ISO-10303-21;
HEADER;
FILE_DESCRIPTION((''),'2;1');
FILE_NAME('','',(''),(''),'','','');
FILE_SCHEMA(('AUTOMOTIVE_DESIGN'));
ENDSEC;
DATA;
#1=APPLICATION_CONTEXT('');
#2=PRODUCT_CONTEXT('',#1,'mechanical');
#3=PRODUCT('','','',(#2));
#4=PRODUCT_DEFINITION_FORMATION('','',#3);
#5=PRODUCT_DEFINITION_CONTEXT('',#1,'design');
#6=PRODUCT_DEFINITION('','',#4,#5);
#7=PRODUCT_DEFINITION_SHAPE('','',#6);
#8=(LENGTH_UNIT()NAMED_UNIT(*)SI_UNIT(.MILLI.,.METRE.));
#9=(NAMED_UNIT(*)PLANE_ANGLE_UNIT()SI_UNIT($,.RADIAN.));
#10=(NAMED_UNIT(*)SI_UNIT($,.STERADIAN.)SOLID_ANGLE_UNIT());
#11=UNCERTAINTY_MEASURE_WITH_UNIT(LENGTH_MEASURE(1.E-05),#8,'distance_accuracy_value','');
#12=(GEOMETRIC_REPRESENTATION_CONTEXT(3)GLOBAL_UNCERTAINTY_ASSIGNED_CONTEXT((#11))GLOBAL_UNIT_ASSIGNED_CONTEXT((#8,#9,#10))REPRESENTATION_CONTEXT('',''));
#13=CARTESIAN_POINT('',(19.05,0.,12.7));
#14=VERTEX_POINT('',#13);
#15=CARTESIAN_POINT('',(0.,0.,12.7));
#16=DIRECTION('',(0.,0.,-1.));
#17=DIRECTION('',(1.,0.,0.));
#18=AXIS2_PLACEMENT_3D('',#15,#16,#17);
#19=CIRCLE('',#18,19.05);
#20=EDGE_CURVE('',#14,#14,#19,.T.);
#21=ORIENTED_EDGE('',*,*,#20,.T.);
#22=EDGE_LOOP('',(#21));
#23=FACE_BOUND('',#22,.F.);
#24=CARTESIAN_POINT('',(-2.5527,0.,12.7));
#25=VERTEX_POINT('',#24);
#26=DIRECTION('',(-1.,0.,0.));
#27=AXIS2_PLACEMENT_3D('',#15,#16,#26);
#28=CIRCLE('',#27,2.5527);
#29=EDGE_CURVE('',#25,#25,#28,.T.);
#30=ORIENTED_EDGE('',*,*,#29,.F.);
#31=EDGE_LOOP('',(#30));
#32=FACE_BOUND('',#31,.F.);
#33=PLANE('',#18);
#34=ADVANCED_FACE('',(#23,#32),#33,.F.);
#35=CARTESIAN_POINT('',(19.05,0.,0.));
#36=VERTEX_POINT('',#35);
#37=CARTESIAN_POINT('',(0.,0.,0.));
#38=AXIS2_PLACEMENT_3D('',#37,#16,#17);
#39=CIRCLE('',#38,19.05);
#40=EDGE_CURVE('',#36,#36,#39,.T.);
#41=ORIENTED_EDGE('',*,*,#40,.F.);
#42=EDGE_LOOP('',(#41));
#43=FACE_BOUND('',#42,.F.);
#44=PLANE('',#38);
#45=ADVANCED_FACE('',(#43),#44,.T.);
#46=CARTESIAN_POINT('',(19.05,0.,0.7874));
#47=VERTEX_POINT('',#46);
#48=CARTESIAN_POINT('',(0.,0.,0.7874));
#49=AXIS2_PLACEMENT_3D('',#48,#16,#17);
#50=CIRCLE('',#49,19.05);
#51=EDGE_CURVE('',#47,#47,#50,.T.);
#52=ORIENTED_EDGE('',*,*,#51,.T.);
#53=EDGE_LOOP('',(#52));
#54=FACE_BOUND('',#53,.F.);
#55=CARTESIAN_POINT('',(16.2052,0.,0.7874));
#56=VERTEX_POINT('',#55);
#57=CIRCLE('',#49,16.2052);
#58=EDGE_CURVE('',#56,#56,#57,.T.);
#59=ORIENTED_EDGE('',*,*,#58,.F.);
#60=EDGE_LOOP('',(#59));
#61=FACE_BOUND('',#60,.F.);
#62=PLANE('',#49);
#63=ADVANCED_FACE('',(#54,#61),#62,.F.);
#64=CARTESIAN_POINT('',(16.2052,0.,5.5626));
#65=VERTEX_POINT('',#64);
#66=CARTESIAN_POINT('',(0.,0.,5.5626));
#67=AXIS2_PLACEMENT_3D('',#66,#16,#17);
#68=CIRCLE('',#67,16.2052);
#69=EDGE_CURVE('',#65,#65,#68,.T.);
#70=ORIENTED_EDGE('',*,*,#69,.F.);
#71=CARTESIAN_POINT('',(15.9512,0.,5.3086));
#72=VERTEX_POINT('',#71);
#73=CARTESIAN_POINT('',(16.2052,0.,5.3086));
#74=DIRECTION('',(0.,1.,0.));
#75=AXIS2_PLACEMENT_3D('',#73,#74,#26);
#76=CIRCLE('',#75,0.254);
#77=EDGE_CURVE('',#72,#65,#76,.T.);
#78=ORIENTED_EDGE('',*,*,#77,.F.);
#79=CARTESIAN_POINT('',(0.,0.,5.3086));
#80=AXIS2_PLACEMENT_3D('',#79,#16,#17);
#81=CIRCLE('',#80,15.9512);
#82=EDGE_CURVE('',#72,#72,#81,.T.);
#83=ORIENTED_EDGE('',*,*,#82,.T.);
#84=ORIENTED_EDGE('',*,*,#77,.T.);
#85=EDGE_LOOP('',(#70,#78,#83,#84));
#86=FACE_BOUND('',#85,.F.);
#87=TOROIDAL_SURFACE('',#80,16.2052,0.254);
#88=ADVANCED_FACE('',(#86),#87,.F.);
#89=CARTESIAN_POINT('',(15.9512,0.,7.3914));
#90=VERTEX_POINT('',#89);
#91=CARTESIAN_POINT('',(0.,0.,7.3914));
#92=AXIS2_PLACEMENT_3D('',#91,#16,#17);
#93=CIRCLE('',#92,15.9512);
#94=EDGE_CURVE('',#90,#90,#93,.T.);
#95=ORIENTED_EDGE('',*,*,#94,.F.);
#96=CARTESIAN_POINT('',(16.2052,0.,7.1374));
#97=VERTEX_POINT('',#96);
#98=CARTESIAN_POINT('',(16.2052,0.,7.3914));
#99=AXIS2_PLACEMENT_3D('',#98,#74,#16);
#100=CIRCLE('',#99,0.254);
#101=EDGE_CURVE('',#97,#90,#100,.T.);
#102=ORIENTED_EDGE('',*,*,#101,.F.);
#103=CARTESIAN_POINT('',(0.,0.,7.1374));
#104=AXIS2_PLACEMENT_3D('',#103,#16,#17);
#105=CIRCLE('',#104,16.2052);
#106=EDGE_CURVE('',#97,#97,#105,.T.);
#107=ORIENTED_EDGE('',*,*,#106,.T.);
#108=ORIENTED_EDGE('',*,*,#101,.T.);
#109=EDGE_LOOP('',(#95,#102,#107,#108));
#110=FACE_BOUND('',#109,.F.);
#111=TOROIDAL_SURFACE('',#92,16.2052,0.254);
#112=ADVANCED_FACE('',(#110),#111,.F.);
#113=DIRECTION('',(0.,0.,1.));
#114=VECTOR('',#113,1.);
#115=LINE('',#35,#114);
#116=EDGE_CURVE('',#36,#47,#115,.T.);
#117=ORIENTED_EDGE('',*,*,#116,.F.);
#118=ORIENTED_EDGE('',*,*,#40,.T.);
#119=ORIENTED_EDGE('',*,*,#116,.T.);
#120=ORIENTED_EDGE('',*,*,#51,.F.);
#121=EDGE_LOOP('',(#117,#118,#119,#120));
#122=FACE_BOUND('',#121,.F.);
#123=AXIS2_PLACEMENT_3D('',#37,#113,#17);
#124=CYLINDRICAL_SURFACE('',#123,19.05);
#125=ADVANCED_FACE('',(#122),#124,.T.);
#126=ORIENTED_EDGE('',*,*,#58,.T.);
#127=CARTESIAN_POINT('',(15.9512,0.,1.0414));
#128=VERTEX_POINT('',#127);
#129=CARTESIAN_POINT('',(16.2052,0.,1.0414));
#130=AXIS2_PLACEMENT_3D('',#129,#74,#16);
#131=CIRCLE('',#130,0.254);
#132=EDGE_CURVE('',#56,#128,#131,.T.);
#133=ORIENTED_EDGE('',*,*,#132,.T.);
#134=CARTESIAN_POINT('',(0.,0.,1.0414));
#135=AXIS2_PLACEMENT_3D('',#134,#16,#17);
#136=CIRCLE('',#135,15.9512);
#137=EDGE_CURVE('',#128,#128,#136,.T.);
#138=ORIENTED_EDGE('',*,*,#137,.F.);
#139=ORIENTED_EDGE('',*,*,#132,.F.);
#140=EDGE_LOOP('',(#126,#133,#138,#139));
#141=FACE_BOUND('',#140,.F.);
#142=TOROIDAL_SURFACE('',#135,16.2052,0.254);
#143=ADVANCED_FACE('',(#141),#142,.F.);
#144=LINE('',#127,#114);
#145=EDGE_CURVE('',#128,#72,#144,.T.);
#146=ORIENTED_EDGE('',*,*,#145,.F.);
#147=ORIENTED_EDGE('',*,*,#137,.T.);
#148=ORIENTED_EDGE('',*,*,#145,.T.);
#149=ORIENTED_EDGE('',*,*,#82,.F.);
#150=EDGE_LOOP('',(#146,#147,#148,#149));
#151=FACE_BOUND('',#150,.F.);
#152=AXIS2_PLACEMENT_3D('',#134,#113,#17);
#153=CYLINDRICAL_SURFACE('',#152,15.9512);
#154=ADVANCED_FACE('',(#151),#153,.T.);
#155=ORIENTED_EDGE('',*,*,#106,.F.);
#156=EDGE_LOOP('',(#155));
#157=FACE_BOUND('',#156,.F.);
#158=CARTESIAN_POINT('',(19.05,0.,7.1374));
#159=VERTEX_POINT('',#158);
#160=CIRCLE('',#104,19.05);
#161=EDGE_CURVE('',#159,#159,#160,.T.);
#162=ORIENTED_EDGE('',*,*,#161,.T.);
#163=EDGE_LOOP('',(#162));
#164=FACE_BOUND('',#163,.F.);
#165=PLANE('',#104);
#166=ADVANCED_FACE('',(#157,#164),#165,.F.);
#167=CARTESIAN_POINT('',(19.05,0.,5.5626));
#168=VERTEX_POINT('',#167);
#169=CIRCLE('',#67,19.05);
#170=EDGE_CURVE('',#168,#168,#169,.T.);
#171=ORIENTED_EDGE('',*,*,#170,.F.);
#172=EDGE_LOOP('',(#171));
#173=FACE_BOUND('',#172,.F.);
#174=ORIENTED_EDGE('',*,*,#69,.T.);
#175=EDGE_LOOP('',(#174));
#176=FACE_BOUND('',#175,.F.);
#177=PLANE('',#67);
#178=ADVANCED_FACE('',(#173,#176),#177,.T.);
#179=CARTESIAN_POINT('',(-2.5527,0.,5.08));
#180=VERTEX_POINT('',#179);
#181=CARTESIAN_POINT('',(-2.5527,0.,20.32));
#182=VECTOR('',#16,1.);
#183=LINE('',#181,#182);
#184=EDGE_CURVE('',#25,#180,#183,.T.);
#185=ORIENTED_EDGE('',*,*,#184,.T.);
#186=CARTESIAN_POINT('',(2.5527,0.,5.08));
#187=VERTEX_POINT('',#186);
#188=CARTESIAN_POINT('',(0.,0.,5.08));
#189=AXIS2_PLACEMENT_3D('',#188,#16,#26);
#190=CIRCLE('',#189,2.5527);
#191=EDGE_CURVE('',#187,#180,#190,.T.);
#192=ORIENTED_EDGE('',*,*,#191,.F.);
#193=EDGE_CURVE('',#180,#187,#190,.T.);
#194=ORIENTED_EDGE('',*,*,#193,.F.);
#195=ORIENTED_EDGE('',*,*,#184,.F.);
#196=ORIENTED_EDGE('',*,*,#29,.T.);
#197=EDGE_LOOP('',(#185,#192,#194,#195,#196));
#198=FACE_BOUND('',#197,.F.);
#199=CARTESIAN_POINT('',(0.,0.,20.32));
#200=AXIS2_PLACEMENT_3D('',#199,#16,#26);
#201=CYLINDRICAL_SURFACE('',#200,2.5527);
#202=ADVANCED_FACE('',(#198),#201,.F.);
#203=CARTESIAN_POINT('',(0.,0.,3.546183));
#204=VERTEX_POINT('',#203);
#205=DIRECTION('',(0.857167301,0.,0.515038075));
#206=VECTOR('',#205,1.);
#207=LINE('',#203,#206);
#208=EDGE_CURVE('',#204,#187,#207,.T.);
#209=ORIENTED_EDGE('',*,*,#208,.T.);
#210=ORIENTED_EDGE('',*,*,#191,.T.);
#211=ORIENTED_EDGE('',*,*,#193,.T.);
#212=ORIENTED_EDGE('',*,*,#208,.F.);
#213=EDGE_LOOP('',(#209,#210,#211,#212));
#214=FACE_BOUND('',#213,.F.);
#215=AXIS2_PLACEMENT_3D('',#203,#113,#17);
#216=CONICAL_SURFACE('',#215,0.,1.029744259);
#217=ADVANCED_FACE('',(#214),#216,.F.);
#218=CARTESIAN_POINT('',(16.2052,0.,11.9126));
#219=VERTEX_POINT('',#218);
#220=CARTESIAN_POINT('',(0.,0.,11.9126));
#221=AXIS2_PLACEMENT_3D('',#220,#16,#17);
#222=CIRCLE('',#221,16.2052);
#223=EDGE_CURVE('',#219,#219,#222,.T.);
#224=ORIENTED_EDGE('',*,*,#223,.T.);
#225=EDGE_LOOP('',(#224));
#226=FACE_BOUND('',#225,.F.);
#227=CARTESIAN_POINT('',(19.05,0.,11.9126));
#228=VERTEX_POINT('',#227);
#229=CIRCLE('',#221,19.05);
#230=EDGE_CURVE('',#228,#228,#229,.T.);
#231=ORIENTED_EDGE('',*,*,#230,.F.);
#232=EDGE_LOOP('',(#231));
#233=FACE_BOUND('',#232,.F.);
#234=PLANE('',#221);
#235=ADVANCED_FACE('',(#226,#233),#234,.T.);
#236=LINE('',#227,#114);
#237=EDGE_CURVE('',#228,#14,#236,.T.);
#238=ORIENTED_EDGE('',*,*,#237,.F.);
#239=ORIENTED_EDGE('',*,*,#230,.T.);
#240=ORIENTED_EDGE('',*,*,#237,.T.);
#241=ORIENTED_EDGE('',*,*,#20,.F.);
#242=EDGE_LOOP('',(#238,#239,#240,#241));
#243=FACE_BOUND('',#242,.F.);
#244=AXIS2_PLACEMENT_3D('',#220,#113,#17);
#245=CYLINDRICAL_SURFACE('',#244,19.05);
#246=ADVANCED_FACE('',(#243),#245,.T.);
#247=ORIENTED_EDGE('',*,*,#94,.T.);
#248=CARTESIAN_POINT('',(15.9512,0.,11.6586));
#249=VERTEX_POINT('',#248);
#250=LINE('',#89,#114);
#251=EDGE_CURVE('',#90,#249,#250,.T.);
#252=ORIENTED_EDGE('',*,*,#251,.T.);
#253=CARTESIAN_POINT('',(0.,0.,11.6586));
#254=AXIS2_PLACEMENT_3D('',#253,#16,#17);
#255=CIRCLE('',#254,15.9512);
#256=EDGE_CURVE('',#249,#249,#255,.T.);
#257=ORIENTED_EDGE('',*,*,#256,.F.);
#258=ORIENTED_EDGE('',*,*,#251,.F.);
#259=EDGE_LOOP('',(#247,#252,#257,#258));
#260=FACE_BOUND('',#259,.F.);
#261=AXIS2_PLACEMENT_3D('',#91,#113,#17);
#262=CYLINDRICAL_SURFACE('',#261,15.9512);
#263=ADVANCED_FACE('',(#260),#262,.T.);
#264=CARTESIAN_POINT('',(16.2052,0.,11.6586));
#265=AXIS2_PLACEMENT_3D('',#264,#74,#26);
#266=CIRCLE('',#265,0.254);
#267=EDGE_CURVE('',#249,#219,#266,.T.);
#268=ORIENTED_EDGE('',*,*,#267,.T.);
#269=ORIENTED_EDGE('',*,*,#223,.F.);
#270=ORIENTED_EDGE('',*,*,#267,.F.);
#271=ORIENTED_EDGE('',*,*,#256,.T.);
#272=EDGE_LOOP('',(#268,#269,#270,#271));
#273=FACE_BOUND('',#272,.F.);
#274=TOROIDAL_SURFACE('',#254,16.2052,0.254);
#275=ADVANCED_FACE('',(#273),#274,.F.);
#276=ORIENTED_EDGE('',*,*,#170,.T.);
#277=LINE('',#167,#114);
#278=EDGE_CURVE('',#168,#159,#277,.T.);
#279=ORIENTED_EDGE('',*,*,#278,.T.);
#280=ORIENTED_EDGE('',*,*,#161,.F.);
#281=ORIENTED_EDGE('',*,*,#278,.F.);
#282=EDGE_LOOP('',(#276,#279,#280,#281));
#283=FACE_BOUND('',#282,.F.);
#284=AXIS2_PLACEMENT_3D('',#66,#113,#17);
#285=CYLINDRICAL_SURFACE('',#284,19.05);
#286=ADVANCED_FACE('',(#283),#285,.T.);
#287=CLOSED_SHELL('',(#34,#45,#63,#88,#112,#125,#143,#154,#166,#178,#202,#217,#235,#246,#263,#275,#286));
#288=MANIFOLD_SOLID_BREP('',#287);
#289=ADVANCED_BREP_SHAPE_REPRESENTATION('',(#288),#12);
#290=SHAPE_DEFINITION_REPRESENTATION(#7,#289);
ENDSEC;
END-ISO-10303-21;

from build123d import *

# Parameters (mm, degrees)
F3_D     = 5.1054
F3_DEPTH = 7.62
F3_TIP   = 1.5338169022


with BuildPart() as f1:
    # F0 (on Front) → F1 (revolve)
    with BuildSketch(Plane.XZ):
        with BuildLine():
            Line((19.05, 12.7), (0, 12.7))
            Line((0, 12.7), (0, 0))
            Line((0, 0), (19.05, 0))
            Line((19.05, 0), (19.05, 0.7874))
            Line((19.05, 0.7874), (16.2052, 0.7874))
            ThreePointArc((16.2052, 0.7874), (16.0255948776, 0.8617948776), (15.9512, 1.0414))
            Line((15.9512, 1.0414), (15.9512, 3.175))
            Line((15.9512, 3.175), (15.9512, 5.3086))
            ThreePointArc((15.9512, 5.3086), (16.0255948776, 5.4882051224), (16.2052, 5.5626))
            Line((16.2052, 5.5626), (19.05, 5.5626))
            Line((19.05, 5.5626), (19.05, 7.1374))
            Line((19.05, 7.1374), (16.2052, 7.1374))
            ThreePointArc((16.2052, 7.1374), (16.0255948776, 7.2117948776), (15.9512, 7.3914))
            Line((15.9512, 7.3914), (15.9512, 9.525))
            Line((15.9512, 9.525), (15.9512, 11.6586))
            ThreePointArc((15.9512, 11.6586), (16.0255948776, 11.8382051224), (16.2052, 11.9126))
            Line((16.2052, 11.9126), (19.05, 11.9126))
            Line((19.05, 11.9126), (19.05, 12.7))
        make_face()
    revolve(axis=Axis((0, 0, 6.35), (0, 0, -1)))

    # F3
    with Locations(Plane.XY.offset(12.7)):
        with Locations((0, 0)):
            Hole(F3_D / 2, depth=F3_DEPTH)
            with Locations((0, 0, -(F3_DEPTH + F3_TIP / 2))):  # 118° drill point
                Cone(0, F3_D / 2, F3_TIP, mode=Mode.SUBTRACT)


solid = f1.part
